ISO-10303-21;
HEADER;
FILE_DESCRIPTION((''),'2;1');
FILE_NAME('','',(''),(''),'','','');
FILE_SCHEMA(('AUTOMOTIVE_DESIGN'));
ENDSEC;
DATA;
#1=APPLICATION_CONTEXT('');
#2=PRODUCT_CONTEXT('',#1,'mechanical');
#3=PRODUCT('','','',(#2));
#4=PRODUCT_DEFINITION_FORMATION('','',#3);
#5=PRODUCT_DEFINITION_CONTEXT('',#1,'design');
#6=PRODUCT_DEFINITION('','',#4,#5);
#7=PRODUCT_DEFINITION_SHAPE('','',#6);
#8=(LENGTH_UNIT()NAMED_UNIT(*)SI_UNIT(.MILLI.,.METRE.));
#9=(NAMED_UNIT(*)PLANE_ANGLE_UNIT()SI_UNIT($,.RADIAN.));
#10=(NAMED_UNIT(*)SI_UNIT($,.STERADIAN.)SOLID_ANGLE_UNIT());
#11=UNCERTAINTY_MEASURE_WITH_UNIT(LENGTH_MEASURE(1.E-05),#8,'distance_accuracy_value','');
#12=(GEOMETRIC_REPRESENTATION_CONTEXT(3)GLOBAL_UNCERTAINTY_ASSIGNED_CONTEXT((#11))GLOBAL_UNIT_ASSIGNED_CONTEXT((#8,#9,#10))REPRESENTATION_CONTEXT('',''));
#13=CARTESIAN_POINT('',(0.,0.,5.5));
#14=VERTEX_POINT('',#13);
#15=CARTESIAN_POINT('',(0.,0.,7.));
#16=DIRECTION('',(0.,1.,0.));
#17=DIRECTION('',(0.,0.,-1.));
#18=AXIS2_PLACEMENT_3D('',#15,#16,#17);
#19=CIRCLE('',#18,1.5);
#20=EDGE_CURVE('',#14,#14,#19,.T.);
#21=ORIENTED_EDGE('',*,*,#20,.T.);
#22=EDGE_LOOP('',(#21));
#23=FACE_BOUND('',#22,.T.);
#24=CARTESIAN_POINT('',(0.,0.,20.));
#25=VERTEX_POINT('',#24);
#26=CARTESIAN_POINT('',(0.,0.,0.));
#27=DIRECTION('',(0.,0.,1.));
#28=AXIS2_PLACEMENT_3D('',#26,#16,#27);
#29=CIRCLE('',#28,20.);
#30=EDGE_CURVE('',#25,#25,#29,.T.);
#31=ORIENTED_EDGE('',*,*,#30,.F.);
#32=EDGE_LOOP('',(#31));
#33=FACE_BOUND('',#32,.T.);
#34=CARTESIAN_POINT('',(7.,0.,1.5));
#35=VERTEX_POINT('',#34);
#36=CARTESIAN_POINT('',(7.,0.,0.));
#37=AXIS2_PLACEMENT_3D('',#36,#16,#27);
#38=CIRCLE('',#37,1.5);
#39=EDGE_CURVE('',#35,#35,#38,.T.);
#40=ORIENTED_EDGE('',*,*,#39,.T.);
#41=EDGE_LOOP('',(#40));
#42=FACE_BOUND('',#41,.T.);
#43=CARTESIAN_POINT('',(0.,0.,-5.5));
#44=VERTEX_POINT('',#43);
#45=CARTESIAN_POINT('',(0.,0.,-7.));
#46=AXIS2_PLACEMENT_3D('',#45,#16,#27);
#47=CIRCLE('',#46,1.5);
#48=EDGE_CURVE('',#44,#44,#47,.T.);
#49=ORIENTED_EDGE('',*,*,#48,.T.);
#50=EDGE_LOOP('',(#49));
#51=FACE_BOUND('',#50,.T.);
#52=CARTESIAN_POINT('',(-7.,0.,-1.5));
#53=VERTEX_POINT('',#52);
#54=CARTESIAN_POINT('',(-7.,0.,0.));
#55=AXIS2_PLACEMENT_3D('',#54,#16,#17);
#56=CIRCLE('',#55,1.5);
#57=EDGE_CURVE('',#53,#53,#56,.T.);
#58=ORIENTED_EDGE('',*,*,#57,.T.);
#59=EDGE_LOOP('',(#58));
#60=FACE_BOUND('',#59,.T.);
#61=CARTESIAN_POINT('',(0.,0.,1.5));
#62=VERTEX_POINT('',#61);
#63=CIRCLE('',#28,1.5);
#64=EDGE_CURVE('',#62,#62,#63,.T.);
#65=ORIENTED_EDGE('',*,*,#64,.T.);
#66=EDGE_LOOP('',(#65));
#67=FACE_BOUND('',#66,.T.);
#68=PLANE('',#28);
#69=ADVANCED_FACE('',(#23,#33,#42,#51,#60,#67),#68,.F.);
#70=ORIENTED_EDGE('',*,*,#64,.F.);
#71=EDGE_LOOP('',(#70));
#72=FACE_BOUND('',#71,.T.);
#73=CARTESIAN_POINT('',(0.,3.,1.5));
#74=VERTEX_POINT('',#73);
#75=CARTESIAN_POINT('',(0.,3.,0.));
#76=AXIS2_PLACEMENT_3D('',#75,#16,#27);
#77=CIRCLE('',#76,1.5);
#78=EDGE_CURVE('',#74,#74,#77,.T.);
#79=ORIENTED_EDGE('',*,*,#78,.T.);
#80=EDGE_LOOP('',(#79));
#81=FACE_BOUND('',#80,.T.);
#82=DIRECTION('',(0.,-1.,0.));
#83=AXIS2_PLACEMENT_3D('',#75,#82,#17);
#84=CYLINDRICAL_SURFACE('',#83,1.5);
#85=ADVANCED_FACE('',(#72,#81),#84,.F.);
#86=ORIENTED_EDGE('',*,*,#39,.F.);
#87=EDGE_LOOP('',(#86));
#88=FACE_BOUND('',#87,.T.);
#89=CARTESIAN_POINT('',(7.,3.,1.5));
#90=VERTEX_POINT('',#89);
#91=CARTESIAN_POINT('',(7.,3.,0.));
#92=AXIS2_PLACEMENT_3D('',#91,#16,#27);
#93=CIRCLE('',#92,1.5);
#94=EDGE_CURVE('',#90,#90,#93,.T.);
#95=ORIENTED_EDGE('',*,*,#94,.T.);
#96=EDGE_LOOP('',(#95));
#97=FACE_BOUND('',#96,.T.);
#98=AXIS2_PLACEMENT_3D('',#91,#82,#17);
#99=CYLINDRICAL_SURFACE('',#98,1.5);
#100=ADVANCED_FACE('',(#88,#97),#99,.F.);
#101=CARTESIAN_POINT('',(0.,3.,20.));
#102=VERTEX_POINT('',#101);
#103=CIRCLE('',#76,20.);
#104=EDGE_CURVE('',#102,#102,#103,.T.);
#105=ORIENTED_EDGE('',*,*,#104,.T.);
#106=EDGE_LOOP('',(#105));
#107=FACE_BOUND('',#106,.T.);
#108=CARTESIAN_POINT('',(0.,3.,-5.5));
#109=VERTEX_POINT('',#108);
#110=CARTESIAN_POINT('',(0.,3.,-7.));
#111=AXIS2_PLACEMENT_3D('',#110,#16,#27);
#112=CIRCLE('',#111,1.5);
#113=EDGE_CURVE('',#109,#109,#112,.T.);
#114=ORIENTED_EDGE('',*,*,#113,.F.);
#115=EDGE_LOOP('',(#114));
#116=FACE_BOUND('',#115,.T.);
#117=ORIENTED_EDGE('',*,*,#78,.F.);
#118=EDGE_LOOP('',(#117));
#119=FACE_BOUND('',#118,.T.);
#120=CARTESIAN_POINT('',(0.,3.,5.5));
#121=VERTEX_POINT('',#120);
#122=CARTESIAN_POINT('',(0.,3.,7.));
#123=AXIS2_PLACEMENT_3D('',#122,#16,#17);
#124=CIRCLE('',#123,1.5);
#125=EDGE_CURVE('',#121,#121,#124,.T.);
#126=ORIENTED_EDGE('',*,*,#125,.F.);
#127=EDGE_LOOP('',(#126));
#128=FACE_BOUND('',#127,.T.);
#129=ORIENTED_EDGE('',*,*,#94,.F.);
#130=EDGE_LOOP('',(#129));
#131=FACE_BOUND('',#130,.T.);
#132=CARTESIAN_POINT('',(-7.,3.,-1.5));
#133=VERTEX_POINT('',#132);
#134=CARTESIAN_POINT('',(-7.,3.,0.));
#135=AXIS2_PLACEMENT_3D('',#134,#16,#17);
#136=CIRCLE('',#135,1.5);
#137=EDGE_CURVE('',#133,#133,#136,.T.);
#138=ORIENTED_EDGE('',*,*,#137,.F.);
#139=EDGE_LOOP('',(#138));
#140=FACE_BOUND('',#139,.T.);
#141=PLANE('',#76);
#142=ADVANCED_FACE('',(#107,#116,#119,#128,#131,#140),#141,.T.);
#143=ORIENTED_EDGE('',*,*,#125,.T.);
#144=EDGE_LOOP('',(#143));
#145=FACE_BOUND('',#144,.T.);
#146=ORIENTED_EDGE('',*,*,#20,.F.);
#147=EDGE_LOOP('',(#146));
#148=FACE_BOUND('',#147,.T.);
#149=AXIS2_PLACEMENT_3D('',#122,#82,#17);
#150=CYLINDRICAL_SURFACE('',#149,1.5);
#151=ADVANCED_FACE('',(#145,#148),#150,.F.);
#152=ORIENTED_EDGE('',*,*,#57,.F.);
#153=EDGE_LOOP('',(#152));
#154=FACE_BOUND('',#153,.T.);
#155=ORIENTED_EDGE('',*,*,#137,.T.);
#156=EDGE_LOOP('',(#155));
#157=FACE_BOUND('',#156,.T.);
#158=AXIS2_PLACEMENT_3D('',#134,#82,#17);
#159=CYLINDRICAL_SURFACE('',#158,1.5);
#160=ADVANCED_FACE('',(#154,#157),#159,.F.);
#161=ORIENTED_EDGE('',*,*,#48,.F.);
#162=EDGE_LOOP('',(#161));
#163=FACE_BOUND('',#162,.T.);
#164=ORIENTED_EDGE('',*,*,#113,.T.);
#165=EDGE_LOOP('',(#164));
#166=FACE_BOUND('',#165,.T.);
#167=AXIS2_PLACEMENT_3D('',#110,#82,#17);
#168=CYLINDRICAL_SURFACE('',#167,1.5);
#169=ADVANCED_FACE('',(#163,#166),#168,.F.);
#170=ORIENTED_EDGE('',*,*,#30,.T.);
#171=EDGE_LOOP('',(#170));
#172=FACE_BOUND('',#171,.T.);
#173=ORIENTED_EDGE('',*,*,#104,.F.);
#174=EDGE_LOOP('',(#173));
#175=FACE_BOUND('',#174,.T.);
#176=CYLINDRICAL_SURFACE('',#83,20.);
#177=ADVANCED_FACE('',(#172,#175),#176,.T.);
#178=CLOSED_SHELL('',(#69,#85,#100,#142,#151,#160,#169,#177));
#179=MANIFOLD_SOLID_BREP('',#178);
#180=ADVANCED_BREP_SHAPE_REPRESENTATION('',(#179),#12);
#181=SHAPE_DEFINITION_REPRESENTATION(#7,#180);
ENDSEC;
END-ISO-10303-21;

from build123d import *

# Parameters (mm, degrees)
SKETCH_1_R      = 20
SKETCH_1_R_2    = 1.5
EXTRUDE_1_DEPTH = 3


with BuildPart() as part:
    # 草图1 → 凸台-拉伸1 (new body)
    with BuildSketch(Plane(origin=(0, 0, 0), x_dir=(1, 0, 0), z_dir=(0, 1, 0))):
        with Locations(Location((0, 0, 0), (0, 0, 270))):
            Circle(SKETCH_1_R)
        with Locations(Location((0, 7, 0), (0, 0, 270))):
            Circle(SKETCH_1_R_2, mode=Mode.SUBTRACT)
        with Locations(Location((0, 0, 0), (0, 0, 270))):
            Circle(SKETCH_1_R_2, mode=Mode.SUBTRACT)
        with Locations(Location((7, 0, 0), (0, 0, 270))):
            Circle(SKETCH_1_R_2, mode=Mode.SUBTRACT)
        with Locations(Location((-7, 0, 0), (0, 0, 90))):
            Circle(SKETCH_1_R_2, mode=Mode.SUBTRACT)
        with Locations(Location((0, -7, 0), (0, 0, 90))):
            Circle(SKETCH_1_R_2, mode=Mode.SUBTRACT)
    extrude(amount=EXTRUDE_1_DEPTH)


solid = part.part
